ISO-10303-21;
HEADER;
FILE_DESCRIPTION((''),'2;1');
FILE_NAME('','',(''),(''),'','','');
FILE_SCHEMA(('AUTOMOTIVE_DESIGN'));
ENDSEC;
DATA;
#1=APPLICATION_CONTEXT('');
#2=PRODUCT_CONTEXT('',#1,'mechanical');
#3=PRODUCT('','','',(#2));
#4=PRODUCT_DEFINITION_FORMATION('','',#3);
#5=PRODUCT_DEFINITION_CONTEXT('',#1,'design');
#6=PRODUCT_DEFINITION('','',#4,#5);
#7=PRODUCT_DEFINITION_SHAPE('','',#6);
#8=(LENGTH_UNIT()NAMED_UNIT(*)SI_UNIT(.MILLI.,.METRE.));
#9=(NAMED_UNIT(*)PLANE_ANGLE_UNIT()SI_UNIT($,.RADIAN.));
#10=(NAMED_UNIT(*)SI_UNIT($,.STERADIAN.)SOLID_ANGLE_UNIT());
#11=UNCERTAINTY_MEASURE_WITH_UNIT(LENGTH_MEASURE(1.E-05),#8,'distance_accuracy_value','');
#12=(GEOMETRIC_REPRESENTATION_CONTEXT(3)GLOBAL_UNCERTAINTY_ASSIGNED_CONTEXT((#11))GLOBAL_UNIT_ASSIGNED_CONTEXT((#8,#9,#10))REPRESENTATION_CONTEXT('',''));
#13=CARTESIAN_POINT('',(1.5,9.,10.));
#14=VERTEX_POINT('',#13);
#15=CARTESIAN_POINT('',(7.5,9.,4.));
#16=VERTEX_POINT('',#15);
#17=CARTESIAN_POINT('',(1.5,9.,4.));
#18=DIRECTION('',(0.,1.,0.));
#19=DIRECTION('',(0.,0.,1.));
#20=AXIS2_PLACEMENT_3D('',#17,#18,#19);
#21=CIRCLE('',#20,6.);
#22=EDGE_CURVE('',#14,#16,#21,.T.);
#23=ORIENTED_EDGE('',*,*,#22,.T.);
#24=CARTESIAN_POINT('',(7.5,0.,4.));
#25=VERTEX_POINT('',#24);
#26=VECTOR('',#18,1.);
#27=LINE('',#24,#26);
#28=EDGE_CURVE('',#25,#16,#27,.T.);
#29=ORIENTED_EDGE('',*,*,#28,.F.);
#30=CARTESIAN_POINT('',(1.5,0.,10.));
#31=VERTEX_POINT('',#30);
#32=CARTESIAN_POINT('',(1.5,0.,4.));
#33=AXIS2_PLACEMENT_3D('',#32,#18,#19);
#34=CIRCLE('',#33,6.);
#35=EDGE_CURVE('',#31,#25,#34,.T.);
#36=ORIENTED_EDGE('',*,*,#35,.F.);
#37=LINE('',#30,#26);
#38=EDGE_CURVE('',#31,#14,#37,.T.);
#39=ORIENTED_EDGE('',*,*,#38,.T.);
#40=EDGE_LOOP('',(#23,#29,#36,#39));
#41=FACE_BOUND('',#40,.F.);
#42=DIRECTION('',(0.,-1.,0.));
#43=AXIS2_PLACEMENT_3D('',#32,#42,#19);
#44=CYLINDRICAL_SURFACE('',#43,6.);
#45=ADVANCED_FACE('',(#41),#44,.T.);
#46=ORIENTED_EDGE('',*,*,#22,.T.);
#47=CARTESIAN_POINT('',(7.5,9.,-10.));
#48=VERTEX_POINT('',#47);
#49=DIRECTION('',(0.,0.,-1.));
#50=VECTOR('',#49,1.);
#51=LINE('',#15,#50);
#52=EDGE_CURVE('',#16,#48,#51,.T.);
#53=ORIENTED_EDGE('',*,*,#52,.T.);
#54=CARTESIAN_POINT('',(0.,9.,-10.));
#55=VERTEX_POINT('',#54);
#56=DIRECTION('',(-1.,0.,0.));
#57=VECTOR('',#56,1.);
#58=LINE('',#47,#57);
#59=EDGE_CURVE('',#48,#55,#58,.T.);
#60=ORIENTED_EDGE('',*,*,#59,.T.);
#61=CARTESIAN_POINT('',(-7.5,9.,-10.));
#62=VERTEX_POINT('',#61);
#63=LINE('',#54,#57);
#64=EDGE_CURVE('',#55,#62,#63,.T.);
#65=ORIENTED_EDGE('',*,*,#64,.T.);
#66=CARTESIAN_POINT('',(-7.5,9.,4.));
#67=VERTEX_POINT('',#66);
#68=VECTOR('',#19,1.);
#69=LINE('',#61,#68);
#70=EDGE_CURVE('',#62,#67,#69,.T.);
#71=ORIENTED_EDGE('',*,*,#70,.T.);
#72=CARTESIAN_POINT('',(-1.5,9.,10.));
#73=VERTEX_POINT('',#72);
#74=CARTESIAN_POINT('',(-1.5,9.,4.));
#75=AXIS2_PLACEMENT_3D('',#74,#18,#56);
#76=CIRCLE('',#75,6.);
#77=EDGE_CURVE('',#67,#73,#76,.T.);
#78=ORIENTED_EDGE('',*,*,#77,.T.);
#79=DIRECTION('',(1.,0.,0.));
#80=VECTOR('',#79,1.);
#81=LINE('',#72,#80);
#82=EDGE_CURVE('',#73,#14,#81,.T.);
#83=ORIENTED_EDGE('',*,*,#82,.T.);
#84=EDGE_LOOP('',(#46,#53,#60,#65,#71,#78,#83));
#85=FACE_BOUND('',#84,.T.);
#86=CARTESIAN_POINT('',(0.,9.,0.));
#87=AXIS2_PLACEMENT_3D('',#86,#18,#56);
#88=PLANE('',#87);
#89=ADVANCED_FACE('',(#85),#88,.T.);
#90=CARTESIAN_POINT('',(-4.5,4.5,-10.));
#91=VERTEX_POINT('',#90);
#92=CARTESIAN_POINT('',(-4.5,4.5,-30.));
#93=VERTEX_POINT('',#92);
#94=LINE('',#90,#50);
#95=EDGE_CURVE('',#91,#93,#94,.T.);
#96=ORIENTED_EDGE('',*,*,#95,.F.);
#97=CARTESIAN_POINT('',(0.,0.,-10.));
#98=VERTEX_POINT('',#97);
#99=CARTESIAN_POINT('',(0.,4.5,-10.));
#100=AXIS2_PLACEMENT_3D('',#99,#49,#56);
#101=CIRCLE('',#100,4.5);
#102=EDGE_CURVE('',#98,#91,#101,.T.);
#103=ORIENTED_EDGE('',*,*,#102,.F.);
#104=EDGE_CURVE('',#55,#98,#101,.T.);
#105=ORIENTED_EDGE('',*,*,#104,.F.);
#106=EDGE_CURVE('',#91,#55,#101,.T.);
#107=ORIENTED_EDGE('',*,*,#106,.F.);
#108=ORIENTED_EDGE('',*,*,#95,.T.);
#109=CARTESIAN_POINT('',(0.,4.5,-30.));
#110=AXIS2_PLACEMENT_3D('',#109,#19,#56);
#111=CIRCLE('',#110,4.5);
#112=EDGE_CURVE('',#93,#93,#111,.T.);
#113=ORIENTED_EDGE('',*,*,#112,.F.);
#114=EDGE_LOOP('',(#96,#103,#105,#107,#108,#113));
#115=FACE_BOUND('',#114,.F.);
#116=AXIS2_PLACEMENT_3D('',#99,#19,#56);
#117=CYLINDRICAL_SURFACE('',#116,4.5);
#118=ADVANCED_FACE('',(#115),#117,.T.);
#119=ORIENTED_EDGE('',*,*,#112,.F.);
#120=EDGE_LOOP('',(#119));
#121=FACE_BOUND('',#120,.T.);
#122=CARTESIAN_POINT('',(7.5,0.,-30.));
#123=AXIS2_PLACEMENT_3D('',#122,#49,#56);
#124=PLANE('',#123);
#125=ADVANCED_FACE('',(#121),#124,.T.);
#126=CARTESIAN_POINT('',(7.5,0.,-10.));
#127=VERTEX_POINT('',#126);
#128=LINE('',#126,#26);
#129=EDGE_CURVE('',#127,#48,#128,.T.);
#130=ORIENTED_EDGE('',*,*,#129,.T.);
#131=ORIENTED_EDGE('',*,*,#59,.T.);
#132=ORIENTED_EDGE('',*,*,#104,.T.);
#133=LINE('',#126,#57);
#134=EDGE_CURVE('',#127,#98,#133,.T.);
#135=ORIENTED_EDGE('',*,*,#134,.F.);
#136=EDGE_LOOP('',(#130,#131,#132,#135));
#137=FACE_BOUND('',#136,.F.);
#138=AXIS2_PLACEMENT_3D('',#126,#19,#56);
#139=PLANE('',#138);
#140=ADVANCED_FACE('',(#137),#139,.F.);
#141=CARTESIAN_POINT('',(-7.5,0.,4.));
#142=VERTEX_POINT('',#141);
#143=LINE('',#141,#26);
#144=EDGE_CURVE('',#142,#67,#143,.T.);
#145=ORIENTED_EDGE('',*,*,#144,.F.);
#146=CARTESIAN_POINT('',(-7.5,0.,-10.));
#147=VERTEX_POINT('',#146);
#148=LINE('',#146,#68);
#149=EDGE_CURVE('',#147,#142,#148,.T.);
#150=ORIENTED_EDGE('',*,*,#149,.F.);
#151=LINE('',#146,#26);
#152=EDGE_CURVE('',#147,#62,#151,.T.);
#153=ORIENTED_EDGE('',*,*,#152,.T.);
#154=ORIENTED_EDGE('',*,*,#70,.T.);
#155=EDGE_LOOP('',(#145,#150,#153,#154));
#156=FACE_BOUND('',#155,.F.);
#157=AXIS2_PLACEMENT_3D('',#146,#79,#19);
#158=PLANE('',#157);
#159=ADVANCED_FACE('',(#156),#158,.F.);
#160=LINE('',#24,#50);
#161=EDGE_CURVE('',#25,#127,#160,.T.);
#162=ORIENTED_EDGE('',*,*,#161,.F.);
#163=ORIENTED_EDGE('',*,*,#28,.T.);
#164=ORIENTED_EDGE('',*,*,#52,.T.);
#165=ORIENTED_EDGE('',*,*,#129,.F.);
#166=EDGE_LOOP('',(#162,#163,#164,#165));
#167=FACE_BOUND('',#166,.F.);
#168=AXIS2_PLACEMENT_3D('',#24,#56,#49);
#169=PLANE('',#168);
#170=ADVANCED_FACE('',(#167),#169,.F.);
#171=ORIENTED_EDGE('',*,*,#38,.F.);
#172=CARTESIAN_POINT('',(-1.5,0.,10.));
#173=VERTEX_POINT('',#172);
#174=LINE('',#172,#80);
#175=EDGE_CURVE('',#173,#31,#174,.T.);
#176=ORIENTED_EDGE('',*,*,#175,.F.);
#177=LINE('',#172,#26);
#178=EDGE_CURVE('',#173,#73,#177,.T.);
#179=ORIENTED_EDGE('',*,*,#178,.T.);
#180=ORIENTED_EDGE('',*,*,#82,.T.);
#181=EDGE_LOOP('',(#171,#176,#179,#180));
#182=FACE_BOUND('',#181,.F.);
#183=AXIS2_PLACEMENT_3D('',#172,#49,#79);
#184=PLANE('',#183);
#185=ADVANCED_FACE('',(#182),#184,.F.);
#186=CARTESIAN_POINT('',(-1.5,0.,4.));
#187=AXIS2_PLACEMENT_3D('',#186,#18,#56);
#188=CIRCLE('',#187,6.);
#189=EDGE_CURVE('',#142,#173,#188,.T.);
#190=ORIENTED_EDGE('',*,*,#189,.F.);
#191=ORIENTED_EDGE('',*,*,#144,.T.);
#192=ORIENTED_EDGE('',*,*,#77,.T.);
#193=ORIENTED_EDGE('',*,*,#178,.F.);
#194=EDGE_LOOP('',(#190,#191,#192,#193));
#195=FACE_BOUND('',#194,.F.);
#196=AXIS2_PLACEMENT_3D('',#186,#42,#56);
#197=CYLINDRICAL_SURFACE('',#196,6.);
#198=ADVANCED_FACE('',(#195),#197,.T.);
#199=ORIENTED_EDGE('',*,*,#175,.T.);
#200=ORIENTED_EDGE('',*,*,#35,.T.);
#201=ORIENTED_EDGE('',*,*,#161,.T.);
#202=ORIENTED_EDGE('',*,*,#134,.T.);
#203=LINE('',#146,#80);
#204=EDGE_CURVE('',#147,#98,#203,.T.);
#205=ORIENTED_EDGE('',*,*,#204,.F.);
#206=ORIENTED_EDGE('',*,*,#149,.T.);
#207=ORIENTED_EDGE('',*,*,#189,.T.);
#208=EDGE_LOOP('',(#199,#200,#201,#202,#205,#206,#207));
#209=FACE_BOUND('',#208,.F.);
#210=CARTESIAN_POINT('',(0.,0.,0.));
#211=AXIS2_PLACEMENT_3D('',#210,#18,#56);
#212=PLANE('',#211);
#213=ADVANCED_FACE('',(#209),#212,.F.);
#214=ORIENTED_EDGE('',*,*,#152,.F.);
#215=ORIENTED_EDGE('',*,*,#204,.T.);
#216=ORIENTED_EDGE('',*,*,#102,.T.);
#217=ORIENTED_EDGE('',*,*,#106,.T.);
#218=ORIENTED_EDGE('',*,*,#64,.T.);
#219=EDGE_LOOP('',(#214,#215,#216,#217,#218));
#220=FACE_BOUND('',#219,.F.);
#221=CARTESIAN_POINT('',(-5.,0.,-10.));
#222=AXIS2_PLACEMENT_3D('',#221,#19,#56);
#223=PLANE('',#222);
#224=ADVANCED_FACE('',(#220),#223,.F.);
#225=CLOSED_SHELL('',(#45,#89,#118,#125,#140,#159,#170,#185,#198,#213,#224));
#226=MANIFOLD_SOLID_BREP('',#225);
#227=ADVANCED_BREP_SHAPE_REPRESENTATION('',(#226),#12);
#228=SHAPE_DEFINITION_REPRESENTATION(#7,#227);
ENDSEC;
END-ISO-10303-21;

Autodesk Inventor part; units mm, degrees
ref_plane "YZ Plane" through (0, 0, 0) normal (1, 0, 0) x (0, 1, 0)
ref_plane "XZ Plane" through (0, 0, 0) normal (0, 1, 0) x (-1, 0, 0)
ref_plane "XY Plane" through (0, 0, 0) normal (0, 0, 1) x (1, 0, 0)
sketch "Эскиз1" plane through (0, 0, 0) normal (0, 1, 0) x (-1, 0, 0)
  line L0 (-7.5, -10) -> (7.5, -10)
  line L1 (7.5, -10) -> (7.5, 4)
  line L2 (1.5, 10) -> (-1.5, 10)
  line L3 (-7.5, 4) -> (-7.5, -10)
  line L4 (-7.5, -10) -> (7.5, 10) construction
  line L5 (7.5, -10) -> (-7.5, 10) construction
  arc A0 (7.5, 4) -> (1.5, 10) centre (1.5, 4) ccw
  arc A1 (-1.5, 10) -> (-7.5, 4) centre (-1.5, 4) ccw
  line L6 (0, -10) -> (5, -10)
  point P0 (0, 0)
  dimension "d0" = 15
  dimension "d1" = 20
  dimension "d2" = 6
  dimension "d3" = 6
extrude "Выдавливание1" add sketch "Эскиз1" along normal blind 9
sketch "Эскиз3" plane through (7.5, 0, -10) normal (0, 0, -1) x (-1, 0, 0)
  line L0 (0, 0) -> (0, 9) projected
  line L1 (15, 0) -> (9, 0) projected
  line L2 (0, 9) -> (15, 9)
  line L3 (15, 9) -> (15, 0)
  line L4 (15, 0) -> (0, 0)
  line L5 (0, 0) -> (0, 9)
  circle A0 centre (7.5, 4.5) radius 4.5
  point P0 (7.5, 0)
  dimension "d11" = 9
  dimension "d12" = 4.5
extrude "Выдавливание3" add sketch "Эскиз3" along normal blind 20 contours A0
properties part number "moroshenka"
